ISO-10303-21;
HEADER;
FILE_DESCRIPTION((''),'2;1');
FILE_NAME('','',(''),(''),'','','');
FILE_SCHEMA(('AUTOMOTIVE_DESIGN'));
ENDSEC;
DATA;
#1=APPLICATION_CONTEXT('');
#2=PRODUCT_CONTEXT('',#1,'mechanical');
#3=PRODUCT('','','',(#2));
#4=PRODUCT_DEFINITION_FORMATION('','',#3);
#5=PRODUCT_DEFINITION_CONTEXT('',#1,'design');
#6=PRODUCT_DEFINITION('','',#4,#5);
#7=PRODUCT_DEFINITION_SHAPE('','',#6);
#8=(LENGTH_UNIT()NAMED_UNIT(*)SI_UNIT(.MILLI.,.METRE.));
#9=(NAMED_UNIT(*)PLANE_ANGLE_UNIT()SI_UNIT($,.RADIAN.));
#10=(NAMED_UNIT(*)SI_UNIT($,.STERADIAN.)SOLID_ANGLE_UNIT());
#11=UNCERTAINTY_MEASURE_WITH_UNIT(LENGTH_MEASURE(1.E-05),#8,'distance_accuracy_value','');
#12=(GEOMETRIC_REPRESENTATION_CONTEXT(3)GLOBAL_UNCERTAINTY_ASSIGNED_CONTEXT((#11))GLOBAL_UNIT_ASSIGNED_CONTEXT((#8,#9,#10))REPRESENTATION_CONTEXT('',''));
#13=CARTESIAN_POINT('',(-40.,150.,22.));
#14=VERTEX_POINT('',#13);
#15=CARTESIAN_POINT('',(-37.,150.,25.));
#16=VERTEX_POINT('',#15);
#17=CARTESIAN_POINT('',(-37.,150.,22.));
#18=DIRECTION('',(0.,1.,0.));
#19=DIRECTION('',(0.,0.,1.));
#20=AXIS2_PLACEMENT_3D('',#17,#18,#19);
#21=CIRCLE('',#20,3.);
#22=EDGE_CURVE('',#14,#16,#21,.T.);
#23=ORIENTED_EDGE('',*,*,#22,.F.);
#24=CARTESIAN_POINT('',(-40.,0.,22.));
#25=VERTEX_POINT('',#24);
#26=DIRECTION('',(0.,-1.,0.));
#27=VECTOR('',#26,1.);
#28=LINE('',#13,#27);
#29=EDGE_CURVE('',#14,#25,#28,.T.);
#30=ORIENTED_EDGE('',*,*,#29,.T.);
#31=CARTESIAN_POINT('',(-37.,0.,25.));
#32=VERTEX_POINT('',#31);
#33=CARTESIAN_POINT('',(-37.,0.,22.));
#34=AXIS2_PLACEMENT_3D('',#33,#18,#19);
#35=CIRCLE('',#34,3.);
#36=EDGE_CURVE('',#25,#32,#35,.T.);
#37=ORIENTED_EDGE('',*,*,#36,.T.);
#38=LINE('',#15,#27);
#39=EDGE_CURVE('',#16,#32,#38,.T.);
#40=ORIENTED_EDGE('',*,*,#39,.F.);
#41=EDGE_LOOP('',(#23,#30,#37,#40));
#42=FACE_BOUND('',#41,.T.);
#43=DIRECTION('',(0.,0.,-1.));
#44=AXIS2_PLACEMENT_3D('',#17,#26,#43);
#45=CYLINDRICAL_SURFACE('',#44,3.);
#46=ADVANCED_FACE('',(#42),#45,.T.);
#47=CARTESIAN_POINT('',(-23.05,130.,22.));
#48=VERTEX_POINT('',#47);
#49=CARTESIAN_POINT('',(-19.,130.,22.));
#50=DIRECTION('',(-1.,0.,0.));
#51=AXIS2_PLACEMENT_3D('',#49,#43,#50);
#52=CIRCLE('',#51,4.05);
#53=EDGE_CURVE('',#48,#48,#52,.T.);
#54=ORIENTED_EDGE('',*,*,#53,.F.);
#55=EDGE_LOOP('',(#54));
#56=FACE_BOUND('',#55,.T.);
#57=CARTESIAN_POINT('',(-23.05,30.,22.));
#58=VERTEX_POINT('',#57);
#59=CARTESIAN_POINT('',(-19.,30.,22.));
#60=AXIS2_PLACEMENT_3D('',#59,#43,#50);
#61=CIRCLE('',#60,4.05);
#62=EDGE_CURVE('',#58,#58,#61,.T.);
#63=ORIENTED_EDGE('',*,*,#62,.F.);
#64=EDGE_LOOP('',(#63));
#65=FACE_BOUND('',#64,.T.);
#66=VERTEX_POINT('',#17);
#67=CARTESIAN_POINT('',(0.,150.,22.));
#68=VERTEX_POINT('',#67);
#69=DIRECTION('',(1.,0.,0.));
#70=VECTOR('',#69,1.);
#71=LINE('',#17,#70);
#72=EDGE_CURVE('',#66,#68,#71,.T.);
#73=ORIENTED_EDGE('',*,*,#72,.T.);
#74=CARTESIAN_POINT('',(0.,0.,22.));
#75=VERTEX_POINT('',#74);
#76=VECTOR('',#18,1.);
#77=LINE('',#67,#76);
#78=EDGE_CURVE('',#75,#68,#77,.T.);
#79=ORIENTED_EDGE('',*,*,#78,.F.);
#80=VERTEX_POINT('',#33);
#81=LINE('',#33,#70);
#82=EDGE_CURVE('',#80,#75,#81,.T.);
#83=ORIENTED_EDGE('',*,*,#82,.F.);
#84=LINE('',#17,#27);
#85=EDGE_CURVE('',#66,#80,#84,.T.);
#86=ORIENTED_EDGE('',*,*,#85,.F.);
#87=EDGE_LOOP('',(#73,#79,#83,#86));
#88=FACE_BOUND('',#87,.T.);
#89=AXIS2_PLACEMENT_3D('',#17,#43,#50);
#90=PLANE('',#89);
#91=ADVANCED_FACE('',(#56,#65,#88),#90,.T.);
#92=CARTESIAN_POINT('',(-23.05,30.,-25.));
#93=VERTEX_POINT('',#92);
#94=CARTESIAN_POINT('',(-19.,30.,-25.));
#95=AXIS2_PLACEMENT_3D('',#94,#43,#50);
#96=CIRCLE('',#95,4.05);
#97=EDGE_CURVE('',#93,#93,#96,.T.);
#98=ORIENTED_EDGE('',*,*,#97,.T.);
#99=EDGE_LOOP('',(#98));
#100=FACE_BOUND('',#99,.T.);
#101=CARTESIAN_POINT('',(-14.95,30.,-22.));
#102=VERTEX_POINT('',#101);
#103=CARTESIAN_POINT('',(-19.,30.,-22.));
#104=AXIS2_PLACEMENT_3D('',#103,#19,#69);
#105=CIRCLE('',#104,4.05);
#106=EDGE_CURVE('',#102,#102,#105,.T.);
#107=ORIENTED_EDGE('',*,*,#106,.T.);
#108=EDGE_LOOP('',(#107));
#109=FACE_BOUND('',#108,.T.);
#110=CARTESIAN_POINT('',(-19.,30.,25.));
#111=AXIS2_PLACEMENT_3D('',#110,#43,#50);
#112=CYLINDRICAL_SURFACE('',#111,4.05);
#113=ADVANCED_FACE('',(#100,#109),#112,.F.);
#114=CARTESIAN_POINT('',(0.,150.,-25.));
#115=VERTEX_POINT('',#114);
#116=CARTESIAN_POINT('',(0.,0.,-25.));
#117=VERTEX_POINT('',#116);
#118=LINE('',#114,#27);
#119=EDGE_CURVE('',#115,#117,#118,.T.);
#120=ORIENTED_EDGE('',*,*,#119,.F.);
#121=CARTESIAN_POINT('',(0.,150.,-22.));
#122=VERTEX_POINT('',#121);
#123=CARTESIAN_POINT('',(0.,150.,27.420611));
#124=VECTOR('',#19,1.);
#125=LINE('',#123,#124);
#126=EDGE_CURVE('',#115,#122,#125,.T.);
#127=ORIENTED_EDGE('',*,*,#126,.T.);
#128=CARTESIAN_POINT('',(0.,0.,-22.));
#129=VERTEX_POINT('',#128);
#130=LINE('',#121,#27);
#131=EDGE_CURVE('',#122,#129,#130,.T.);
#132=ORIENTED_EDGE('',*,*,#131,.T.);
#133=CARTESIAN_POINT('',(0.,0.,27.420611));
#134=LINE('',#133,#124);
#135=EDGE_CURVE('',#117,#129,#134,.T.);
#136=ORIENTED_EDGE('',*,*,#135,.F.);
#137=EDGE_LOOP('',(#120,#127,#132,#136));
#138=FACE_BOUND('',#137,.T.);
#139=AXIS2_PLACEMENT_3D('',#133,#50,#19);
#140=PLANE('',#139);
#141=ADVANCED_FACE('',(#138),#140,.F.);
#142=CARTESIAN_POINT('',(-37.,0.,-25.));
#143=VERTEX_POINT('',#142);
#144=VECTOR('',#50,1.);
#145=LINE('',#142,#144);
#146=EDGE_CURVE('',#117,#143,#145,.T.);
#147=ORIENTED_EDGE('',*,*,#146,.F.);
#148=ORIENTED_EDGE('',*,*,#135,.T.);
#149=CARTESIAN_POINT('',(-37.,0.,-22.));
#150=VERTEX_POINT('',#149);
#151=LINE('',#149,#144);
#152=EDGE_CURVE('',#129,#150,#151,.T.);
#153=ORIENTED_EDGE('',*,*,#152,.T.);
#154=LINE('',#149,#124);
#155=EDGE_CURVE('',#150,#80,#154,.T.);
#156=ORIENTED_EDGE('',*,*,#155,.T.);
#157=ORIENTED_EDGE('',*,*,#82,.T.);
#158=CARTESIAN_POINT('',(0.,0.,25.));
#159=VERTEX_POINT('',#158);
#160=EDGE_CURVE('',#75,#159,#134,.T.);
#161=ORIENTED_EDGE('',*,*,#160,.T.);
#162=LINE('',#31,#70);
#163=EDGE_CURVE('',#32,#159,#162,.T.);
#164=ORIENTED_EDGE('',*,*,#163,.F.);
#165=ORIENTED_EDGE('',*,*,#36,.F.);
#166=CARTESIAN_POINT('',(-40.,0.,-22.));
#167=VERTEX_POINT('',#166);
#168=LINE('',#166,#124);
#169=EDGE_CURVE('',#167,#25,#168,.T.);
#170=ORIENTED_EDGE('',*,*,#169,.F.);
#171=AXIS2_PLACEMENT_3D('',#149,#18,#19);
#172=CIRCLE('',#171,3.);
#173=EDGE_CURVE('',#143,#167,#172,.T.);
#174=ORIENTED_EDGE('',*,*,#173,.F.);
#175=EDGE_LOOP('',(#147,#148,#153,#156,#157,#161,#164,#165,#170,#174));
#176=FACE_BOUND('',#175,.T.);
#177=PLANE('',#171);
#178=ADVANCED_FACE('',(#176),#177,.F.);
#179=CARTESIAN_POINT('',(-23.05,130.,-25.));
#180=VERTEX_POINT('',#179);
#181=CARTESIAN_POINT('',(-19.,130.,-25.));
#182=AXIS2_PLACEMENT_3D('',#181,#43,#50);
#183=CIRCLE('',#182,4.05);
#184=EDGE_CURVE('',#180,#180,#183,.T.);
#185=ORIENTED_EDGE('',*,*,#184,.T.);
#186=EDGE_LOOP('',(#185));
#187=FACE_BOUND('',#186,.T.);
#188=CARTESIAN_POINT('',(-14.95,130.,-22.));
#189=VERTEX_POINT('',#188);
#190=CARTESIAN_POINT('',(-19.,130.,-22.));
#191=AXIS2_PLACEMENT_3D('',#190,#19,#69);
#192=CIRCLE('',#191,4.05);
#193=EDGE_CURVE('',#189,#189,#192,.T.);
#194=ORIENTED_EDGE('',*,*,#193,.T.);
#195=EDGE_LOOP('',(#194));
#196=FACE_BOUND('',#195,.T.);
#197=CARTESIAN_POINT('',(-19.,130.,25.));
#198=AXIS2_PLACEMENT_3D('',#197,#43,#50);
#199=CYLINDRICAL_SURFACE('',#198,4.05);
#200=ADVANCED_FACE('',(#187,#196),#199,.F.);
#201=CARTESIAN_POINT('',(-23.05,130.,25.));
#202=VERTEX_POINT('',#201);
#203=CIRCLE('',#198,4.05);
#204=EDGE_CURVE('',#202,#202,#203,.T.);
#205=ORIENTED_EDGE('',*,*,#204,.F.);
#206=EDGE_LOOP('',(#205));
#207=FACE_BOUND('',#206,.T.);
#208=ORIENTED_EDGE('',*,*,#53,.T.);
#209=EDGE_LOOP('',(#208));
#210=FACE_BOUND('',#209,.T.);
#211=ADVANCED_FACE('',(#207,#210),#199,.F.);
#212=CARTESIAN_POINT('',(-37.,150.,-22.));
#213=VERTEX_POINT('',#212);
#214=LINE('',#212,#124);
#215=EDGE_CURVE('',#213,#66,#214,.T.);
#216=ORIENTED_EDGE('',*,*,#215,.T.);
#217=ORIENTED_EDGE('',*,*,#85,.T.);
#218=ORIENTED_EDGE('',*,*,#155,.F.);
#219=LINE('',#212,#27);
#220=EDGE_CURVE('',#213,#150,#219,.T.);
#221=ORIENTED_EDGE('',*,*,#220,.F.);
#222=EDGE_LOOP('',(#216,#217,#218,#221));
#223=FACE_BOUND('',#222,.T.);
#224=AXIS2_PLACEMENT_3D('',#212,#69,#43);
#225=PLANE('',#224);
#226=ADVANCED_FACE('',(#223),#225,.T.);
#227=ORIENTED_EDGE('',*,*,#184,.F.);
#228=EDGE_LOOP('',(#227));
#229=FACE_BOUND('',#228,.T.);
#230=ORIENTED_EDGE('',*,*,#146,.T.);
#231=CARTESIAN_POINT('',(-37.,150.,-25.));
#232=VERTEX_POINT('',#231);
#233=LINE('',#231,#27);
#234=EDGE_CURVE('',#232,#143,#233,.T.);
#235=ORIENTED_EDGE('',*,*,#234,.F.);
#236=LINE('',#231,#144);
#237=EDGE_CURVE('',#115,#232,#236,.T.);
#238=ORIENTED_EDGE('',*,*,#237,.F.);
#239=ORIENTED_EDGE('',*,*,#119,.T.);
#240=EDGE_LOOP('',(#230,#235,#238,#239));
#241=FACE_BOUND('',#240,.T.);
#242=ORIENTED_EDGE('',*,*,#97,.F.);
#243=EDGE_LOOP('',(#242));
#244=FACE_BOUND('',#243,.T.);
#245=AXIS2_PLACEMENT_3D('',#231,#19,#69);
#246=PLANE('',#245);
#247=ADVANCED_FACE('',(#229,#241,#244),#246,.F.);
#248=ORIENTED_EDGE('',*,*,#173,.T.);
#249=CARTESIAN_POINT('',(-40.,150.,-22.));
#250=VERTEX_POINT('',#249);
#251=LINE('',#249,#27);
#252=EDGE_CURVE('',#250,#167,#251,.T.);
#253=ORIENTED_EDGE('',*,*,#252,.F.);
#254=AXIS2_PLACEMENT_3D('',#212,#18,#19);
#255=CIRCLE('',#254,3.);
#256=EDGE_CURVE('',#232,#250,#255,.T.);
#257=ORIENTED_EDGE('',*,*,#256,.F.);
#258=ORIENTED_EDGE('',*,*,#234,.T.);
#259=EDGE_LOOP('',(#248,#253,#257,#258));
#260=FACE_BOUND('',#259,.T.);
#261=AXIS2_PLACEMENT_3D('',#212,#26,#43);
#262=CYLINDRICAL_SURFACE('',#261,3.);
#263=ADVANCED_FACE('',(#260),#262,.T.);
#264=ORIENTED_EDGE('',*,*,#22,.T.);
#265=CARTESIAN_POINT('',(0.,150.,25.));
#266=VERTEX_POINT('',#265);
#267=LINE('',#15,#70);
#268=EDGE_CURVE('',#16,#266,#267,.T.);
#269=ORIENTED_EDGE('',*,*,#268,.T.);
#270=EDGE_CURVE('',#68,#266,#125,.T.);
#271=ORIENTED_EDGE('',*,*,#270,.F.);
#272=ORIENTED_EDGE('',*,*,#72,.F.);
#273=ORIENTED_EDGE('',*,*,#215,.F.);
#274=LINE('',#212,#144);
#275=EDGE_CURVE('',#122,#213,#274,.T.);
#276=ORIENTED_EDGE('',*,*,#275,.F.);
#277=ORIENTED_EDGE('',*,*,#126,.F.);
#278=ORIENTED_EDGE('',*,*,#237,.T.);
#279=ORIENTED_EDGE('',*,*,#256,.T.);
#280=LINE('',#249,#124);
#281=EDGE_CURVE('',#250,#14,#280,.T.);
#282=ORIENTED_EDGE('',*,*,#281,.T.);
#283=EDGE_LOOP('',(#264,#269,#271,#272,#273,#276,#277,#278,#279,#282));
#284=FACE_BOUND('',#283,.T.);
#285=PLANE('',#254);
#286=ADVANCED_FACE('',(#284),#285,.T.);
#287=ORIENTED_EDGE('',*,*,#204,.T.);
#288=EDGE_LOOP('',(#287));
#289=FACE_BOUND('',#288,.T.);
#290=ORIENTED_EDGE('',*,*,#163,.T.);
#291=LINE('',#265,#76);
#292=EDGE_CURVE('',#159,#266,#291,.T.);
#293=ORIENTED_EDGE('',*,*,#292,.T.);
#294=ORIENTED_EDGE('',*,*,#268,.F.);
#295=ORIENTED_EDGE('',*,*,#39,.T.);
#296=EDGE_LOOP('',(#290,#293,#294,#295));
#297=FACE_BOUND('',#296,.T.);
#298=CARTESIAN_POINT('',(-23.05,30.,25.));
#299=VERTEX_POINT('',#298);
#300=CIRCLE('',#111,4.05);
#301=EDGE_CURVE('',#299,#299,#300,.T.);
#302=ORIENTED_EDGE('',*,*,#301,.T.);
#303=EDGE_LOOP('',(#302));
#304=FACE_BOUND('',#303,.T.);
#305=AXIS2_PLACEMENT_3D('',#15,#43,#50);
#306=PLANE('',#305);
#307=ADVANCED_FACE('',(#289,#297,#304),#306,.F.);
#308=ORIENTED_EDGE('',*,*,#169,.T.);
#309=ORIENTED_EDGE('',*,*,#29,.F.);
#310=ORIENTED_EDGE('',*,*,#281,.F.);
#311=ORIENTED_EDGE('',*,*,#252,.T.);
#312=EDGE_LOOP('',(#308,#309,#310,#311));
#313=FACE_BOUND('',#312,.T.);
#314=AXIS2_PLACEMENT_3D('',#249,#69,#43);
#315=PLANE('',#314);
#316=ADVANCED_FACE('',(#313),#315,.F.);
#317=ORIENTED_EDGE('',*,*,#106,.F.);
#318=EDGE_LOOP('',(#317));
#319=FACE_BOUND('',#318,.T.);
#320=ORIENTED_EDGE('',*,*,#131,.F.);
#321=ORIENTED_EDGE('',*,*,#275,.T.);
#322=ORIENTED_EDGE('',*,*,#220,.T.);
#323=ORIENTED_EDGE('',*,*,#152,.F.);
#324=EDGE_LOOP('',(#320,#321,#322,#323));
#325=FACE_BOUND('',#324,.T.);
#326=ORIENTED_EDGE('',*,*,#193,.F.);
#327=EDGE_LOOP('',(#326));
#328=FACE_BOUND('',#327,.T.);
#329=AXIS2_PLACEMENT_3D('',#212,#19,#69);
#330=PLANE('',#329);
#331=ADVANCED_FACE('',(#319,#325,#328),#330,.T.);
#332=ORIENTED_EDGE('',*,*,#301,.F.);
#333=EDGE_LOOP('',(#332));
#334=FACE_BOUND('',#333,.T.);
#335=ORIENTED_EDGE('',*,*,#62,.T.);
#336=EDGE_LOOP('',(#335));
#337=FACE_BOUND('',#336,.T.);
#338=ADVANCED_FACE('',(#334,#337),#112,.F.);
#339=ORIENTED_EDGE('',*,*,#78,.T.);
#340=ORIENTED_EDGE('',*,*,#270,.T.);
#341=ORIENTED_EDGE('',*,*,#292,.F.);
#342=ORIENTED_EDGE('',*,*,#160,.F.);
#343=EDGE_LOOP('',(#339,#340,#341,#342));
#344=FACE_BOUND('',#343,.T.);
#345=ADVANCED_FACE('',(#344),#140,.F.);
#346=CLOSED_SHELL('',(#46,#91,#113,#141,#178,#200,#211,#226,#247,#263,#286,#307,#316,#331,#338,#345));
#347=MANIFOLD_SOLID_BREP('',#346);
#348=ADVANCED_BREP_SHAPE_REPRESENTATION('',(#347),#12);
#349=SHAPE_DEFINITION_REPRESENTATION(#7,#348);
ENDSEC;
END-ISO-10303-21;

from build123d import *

# Parameters (mm, degrees)
SKETCH_1_W          = 74
SKETCH_1_H          = 44
EXTRUDE_1_DEPTH     = 150
SKETCH_2_W          = 41.146480438
SKETCH_2_H          = 58.393385187
CUT_EXTRUDE_1_DEPTH = 151
SKETCH_3_R          = 4.05
CUT_EXTRUDE_2_DEPTH = 51


with BuildPart() as part:
    # Эскиз1 → Вытянуть-Тонкостенный1 (new body)
    with BuildSketch(Plane(origin=(0, 0, 0), x_dir=(1, 0, 0), z_dir=(0, 1, 0))):
        with BuildLine():
            Line((40, 22), (40, -22))
            ThreePointArc((40, -22), (39.121320344, -24.121320344), (37, -25))
            Line((37, -25), (-37, -25))
            ThreePointArc((-37, -25), (-39.121320344, -24.121320344), (-40, -22))
            Line((-40, -22), (-40, 22))
            ThreePointArc((-40, 22), (-39.121320344, 24.121320344), (-37, 25))
            Line((-37, 25), (37, 25))
            ThreePointArc((37, 25), (39.121320344, 24.121320344), (40, 22))
        make_face()
        Rectangle(SKETCH_1_W, SKETCH_1_H, mode=Mode.SUBTRACT)
    extrude(amount=EXTRUDE_1_DEPTH)

    # Эскиз2 → Вырез-Вытянуть1 (cut, through all)
    with BuildSketch(Plane(origin=(0, 150, 0), x_dir=(1, 0, 0), z_dir=(0, 1, 0))):
        with Locations((20.573240219, 1.776081122)):
            Rectangle(SKETCH_2_W, SKETCH_2_H)
    extrude(amount=-CUT_EXTRUDE_1_DEPTH, mode=Mode.SUBTRACT)

    # Эскиз3 → Вырез-Вытянуть2 (cut, through all)
    with BuildSketch(Plane(origin=(0, 0, -25), x_dir=(-1, 0, 0), z_dir=(0, 0, -1))):
        with Locations((19, 130)):
            Circle(SKETCH_3_R)
        with Locations((19, 30)):
            Circle(SKETCH_3_R)
    extrude(amount=-CUT_EXTRUDE_2_DEPTH, mode=Mode.SUBTRACT)


solid = part.part
